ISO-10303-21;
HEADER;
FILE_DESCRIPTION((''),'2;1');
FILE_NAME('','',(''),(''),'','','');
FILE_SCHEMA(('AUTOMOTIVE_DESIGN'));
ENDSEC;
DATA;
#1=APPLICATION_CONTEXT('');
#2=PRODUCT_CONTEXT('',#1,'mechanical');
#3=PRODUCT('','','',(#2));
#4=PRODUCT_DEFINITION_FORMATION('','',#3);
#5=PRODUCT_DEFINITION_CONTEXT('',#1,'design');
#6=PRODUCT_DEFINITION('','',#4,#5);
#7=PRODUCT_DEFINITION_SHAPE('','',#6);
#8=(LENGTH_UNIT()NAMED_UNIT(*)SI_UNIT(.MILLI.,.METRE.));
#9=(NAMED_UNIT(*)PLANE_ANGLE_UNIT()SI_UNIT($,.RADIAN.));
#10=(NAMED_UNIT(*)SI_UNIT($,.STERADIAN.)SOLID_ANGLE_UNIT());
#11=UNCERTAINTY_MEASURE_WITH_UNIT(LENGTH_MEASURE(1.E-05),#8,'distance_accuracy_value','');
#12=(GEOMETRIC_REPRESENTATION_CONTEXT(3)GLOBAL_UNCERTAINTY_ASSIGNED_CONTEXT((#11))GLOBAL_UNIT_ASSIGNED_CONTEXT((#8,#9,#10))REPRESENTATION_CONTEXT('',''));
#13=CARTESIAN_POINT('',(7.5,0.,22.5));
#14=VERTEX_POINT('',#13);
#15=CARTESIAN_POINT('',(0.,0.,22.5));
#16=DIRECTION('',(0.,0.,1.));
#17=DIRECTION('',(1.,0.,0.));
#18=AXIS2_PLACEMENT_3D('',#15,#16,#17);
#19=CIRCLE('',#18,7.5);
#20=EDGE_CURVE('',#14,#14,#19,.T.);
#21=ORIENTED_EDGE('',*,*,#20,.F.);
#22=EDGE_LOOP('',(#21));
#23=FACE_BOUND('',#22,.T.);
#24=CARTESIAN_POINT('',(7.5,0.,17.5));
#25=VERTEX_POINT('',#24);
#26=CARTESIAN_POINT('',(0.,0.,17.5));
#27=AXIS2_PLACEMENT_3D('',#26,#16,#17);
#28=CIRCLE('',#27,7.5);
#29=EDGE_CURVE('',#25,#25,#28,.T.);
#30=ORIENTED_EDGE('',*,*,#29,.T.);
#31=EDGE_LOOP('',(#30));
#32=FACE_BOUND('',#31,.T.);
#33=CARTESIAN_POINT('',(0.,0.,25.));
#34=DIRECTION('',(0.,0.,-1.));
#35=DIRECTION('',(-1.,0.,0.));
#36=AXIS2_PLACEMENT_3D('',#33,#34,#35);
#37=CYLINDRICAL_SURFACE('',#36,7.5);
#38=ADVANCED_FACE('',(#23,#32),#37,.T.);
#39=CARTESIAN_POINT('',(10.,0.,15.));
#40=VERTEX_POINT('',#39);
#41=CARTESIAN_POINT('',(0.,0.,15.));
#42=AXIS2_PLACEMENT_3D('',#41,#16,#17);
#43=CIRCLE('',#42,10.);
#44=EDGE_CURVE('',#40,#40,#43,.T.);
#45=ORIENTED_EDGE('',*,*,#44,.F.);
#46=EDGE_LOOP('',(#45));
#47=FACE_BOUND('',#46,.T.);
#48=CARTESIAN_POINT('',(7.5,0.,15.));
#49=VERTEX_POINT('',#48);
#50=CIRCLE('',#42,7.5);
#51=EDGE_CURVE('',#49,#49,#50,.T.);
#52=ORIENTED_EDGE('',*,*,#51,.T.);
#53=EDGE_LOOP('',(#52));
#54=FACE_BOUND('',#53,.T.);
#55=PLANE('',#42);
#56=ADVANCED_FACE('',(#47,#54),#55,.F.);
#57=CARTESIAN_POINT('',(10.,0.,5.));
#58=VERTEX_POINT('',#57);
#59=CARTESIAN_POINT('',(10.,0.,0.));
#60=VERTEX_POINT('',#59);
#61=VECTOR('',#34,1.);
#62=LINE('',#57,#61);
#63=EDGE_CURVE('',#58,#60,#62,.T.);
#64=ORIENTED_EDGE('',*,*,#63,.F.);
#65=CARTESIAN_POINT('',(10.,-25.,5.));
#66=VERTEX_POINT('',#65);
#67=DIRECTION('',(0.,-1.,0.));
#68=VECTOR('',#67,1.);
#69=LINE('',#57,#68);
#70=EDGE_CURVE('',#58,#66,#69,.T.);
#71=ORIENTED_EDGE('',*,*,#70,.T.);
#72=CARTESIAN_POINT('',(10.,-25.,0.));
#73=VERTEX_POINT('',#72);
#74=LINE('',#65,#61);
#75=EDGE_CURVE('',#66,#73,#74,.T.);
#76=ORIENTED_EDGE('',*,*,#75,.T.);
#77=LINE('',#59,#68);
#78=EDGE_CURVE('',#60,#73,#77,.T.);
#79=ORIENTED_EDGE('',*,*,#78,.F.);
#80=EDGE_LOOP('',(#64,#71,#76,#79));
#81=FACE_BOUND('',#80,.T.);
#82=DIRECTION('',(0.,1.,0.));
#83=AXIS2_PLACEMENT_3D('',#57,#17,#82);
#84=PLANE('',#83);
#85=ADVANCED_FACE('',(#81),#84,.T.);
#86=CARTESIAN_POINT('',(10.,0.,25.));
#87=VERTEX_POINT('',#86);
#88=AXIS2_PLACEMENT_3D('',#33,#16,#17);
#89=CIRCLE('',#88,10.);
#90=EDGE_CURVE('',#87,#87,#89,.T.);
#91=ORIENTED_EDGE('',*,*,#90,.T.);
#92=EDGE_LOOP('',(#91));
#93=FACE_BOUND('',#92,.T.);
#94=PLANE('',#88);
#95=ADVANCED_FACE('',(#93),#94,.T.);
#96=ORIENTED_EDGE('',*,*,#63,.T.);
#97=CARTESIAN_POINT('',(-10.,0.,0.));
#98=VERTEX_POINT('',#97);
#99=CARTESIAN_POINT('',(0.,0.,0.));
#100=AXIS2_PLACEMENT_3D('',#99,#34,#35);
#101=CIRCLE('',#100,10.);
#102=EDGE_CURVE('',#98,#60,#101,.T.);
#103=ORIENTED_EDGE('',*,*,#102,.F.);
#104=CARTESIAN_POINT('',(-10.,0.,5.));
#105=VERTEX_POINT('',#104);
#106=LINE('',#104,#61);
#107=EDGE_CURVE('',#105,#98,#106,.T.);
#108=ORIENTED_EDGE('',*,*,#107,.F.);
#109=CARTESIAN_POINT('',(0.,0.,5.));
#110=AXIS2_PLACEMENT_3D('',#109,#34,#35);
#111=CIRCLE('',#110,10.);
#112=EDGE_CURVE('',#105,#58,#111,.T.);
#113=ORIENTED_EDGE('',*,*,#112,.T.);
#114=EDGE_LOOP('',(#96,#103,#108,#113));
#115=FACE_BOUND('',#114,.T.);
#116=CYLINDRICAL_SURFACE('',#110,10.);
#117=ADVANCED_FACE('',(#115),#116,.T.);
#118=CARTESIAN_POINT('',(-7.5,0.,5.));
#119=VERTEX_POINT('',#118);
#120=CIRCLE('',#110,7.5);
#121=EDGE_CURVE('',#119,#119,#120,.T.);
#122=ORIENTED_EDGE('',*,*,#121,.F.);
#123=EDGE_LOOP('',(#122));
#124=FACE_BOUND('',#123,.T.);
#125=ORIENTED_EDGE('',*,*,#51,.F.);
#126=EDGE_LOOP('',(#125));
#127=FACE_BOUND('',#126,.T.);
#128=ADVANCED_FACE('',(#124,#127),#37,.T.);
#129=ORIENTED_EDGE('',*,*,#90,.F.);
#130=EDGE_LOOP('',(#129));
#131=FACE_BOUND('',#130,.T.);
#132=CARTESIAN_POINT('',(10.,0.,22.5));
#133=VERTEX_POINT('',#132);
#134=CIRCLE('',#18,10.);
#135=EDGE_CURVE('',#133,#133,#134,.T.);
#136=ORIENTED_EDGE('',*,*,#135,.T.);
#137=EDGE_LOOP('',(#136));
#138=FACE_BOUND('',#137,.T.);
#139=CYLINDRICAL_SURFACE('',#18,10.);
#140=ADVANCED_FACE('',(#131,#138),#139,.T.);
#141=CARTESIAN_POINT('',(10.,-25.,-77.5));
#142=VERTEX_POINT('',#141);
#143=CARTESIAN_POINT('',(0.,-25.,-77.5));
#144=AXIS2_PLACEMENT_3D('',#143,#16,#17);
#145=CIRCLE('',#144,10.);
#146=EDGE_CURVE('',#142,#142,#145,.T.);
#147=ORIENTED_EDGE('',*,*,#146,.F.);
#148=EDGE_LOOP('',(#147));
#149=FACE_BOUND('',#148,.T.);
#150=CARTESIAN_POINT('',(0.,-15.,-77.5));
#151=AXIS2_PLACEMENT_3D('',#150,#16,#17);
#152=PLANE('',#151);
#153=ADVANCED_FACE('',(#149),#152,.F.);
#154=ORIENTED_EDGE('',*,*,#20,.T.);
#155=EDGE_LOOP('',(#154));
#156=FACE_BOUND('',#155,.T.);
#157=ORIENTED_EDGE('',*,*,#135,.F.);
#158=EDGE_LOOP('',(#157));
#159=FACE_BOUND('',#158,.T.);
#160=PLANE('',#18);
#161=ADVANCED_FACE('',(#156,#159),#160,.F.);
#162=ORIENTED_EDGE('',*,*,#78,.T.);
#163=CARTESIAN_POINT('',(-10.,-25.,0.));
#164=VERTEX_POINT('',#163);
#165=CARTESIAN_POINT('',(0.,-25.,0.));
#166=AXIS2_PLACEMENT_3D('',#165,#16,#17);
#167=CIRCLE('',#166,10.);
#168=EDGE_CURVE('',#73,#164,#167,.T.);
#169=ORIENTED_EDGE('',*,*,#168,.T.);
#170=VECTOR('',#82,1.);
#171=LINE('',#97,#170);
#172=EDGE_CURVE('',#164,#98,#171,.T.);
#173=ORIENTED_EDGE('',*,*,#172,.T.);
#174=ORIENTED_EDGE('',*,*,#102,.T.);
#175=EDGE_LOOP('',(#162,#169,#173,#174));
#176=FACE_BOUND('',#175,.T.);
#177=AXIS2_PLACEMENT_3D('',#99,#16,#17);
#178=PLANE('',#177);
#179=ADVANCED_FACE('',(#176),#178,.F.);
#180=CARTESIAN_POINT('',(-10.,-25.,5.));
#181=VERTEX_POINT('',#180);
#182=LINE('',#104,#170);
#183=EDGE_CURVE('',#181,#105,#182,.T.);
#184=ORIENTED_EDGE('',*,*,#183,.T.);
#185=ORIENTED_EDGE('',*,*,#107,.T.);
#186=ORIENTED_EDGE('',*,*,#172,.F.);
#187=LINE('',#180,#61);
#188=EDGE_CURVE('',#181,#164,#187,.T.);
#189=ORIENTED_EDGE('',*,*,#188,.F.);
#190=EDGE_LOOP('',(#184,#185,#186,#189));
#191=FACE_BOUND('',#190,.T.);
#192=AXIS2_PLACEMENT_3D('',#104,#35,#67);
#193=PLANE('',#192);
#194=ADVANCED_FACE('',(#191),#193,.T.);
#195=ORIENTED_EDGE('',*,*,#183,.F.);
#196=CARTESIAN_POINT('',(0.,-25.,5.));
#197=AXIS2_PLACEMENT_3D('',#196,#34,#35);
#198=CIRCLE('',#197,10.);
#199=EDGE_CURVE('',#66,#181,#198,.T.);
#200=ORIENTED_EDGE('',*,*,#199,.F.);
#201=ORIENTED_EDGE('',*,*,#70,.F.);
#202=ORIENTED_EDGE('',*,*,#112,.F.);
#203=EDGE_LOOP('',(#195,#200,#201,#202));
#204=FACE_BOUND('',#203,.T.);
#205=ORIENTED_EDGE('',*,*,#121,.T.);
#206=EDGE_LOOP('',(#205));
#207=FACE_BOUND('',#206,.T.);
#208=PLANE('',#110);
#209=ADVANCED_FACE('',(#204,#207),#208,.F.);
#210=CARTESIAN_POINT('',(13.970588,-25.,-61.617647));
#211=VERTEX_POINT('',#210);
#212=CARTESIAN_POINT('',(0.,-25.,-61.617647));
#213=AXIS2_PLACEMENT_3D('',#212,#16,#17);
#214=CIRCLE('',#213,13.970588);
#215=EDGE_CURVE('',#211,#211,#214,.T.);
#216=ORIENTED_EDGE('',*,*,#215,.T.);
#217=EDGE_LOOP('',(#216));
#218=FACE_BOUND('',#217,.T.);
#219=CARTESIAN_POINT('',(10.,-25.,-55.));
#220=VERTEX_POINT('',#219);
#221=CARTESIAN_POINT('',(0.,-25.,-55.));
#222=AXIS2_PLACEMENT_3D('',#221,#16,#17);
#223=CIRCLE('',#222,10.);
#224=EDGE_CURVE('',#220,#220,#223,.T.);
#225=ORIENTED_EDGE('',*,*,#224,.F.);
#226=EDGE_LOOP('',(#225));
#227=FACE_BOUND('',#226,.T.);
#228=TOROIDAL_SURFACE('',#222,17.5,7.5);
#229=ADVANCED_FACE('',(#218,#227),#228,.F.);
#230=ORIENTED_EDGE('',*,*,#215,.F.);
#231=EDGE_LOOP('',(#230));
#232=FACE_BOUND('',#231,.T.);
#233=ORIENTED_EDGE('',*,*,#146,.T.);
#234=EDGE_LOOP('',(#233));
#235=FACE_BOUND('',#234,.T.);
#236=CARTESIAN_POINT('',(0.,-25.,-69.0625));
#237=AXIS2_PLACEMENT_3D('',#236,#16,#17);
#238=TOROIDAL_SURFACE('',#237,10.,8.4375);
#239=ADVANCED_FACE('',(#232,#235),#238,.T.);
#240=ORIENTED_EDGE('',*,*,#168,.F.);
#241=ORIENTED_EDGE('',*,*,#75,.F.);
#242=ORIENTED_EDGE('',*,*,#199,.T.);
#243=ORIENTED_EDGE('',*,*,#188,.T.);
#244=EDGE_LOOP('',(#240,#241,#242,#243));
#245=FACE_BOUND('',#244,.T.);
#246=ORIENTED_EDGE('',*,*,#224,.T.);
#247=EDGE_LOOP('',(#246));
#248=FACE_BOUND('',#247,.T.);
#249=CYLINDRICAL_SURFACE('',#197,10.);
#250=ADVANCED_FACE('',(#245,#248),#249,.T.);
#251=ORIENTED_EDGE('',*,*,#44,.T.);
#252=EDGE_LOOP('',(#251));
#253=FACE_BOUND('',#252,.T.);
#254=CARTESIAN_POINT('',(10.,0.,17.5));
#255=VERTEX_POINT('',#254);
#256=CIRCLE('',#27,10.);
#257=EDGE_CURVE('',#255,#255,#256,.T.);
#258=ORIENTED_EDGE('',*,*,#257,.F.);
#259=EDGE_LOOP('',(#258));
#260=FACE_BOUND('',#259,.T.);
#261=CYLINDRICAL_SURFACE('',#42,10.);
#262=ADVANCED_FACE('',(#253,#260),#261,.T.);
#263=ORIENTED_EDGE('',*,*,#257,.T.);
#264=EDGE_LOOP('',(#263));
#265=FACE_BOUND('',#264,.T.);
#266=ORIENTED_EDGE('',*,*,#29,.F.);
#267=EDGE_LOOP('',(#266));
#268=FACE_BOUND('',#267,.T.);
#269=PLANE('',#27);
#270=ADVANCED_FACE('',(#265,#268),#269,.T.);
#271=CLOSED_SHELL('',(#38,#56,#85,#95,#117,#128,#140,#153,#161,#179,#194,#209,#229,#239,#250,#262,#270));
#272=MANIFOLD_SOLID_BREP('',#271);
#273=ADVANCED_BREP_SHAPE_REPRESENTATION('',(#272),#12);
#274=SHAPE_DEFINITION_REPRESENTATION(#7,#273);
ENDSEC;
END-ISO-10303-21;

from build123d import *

# Parameters (mm, degrees)
SKETCH1_R           = 7.5
BOSS_EXTRUDE1_DEPTH = 25
SKETCH2_R           = 10
BOSS_EXTRUDE2_DEPTH = 2.5
BOSS_EXTRUDE3_START = -7.5
SKETCH2_2_R         = 10
BOSS_EXTRUDE3_DEPTH = 2.5
BOSS_EXTRUDE4_START = -5
BOSS_EXTRUDE4_DEPTH = 5
SKETCH5_R           = 10
BOSS_EXTRUDE5_DEPTH = 57.5


with BuildPart() as part:
    # Sketch1 → Boss-Extrude1 (new body)
    with BuildSketch(Plane.XY):
        Circle(SKETCH1_R)
    extrude(amount=BOSS_EXTRUDE1_DEPTH)

    # Sketch2 → Boss-Extrude2 (add)
    with BuildSketch(Plane.XY.offset(25)):
        Circle(SKETCH2_R)
    extrude(amount=-BOSS_EXTRUDE2_DEPTH)

    # Sketch2<2> → Boss-Extrude3 (add)
    with BuildSketch(Plane.XY.offset(25).offset(BOSS_EXTRUDE3_START)):
        Circle(SKETCH2_2_R)
    extrude(amount=-BOSS_EXTRUDE3_DEPTH)

    # Sketch4 → Boss-Extrude4 (add)
    with BuildSketch(Plane(origin=(0, 0, 0), x_dir=(-1, 0, 0), z_dir=(0, 0, -1)).offset(BOSS_EXTRUDE4_START)):
        with BuildLine():
            Line((-10, 0), (-10, -25))
            ThreePointArc((-10, -25), (0, -35), (10, -25))
            Line((10, -25), (10, 0))
            ThreePointArc((10, 0), (0, 10), (-10, 0))
        make_face()
    extrude(amount=BOSS_EXTRUDE4_DEPTH)

    # Sketch5 → Boss-Extrude5 (add)
    with BuildSketch(Plane.XY.offset(5)):
        with Locations((0, -25)):
            Circle(SKETCH5_R)
    extrude(amount=-BOSS_EXTRUDE5_DEPTH)

    # Sketch6 → Revolve1 (revolve)
    with BuildSketch(Plane(origin=(0, 0, 0), x_dir=(0, 0, -1), z_dir=(1, 0, 0))):
        with BuildLine():
            Line((52.5, -25), (77.5, -25))
            Line((77.5, -25), (77.5, -15))
            ThreePointArc((77.5, -15), (71.108894336, -6.814422655), (61.617647059, -11.029411765))
            ThreePointArc((61.617647059, -11.029411765), (58.858718166, -13.931196943), (55, -15))
            Line((55, -15), (52.5, -15))
            Line((52.5, -15), (52.5, -25))
        make_face()
    revolve(axis=Axis((0, -25, -52.5), (0, 0, -1)))


solid = part.part
